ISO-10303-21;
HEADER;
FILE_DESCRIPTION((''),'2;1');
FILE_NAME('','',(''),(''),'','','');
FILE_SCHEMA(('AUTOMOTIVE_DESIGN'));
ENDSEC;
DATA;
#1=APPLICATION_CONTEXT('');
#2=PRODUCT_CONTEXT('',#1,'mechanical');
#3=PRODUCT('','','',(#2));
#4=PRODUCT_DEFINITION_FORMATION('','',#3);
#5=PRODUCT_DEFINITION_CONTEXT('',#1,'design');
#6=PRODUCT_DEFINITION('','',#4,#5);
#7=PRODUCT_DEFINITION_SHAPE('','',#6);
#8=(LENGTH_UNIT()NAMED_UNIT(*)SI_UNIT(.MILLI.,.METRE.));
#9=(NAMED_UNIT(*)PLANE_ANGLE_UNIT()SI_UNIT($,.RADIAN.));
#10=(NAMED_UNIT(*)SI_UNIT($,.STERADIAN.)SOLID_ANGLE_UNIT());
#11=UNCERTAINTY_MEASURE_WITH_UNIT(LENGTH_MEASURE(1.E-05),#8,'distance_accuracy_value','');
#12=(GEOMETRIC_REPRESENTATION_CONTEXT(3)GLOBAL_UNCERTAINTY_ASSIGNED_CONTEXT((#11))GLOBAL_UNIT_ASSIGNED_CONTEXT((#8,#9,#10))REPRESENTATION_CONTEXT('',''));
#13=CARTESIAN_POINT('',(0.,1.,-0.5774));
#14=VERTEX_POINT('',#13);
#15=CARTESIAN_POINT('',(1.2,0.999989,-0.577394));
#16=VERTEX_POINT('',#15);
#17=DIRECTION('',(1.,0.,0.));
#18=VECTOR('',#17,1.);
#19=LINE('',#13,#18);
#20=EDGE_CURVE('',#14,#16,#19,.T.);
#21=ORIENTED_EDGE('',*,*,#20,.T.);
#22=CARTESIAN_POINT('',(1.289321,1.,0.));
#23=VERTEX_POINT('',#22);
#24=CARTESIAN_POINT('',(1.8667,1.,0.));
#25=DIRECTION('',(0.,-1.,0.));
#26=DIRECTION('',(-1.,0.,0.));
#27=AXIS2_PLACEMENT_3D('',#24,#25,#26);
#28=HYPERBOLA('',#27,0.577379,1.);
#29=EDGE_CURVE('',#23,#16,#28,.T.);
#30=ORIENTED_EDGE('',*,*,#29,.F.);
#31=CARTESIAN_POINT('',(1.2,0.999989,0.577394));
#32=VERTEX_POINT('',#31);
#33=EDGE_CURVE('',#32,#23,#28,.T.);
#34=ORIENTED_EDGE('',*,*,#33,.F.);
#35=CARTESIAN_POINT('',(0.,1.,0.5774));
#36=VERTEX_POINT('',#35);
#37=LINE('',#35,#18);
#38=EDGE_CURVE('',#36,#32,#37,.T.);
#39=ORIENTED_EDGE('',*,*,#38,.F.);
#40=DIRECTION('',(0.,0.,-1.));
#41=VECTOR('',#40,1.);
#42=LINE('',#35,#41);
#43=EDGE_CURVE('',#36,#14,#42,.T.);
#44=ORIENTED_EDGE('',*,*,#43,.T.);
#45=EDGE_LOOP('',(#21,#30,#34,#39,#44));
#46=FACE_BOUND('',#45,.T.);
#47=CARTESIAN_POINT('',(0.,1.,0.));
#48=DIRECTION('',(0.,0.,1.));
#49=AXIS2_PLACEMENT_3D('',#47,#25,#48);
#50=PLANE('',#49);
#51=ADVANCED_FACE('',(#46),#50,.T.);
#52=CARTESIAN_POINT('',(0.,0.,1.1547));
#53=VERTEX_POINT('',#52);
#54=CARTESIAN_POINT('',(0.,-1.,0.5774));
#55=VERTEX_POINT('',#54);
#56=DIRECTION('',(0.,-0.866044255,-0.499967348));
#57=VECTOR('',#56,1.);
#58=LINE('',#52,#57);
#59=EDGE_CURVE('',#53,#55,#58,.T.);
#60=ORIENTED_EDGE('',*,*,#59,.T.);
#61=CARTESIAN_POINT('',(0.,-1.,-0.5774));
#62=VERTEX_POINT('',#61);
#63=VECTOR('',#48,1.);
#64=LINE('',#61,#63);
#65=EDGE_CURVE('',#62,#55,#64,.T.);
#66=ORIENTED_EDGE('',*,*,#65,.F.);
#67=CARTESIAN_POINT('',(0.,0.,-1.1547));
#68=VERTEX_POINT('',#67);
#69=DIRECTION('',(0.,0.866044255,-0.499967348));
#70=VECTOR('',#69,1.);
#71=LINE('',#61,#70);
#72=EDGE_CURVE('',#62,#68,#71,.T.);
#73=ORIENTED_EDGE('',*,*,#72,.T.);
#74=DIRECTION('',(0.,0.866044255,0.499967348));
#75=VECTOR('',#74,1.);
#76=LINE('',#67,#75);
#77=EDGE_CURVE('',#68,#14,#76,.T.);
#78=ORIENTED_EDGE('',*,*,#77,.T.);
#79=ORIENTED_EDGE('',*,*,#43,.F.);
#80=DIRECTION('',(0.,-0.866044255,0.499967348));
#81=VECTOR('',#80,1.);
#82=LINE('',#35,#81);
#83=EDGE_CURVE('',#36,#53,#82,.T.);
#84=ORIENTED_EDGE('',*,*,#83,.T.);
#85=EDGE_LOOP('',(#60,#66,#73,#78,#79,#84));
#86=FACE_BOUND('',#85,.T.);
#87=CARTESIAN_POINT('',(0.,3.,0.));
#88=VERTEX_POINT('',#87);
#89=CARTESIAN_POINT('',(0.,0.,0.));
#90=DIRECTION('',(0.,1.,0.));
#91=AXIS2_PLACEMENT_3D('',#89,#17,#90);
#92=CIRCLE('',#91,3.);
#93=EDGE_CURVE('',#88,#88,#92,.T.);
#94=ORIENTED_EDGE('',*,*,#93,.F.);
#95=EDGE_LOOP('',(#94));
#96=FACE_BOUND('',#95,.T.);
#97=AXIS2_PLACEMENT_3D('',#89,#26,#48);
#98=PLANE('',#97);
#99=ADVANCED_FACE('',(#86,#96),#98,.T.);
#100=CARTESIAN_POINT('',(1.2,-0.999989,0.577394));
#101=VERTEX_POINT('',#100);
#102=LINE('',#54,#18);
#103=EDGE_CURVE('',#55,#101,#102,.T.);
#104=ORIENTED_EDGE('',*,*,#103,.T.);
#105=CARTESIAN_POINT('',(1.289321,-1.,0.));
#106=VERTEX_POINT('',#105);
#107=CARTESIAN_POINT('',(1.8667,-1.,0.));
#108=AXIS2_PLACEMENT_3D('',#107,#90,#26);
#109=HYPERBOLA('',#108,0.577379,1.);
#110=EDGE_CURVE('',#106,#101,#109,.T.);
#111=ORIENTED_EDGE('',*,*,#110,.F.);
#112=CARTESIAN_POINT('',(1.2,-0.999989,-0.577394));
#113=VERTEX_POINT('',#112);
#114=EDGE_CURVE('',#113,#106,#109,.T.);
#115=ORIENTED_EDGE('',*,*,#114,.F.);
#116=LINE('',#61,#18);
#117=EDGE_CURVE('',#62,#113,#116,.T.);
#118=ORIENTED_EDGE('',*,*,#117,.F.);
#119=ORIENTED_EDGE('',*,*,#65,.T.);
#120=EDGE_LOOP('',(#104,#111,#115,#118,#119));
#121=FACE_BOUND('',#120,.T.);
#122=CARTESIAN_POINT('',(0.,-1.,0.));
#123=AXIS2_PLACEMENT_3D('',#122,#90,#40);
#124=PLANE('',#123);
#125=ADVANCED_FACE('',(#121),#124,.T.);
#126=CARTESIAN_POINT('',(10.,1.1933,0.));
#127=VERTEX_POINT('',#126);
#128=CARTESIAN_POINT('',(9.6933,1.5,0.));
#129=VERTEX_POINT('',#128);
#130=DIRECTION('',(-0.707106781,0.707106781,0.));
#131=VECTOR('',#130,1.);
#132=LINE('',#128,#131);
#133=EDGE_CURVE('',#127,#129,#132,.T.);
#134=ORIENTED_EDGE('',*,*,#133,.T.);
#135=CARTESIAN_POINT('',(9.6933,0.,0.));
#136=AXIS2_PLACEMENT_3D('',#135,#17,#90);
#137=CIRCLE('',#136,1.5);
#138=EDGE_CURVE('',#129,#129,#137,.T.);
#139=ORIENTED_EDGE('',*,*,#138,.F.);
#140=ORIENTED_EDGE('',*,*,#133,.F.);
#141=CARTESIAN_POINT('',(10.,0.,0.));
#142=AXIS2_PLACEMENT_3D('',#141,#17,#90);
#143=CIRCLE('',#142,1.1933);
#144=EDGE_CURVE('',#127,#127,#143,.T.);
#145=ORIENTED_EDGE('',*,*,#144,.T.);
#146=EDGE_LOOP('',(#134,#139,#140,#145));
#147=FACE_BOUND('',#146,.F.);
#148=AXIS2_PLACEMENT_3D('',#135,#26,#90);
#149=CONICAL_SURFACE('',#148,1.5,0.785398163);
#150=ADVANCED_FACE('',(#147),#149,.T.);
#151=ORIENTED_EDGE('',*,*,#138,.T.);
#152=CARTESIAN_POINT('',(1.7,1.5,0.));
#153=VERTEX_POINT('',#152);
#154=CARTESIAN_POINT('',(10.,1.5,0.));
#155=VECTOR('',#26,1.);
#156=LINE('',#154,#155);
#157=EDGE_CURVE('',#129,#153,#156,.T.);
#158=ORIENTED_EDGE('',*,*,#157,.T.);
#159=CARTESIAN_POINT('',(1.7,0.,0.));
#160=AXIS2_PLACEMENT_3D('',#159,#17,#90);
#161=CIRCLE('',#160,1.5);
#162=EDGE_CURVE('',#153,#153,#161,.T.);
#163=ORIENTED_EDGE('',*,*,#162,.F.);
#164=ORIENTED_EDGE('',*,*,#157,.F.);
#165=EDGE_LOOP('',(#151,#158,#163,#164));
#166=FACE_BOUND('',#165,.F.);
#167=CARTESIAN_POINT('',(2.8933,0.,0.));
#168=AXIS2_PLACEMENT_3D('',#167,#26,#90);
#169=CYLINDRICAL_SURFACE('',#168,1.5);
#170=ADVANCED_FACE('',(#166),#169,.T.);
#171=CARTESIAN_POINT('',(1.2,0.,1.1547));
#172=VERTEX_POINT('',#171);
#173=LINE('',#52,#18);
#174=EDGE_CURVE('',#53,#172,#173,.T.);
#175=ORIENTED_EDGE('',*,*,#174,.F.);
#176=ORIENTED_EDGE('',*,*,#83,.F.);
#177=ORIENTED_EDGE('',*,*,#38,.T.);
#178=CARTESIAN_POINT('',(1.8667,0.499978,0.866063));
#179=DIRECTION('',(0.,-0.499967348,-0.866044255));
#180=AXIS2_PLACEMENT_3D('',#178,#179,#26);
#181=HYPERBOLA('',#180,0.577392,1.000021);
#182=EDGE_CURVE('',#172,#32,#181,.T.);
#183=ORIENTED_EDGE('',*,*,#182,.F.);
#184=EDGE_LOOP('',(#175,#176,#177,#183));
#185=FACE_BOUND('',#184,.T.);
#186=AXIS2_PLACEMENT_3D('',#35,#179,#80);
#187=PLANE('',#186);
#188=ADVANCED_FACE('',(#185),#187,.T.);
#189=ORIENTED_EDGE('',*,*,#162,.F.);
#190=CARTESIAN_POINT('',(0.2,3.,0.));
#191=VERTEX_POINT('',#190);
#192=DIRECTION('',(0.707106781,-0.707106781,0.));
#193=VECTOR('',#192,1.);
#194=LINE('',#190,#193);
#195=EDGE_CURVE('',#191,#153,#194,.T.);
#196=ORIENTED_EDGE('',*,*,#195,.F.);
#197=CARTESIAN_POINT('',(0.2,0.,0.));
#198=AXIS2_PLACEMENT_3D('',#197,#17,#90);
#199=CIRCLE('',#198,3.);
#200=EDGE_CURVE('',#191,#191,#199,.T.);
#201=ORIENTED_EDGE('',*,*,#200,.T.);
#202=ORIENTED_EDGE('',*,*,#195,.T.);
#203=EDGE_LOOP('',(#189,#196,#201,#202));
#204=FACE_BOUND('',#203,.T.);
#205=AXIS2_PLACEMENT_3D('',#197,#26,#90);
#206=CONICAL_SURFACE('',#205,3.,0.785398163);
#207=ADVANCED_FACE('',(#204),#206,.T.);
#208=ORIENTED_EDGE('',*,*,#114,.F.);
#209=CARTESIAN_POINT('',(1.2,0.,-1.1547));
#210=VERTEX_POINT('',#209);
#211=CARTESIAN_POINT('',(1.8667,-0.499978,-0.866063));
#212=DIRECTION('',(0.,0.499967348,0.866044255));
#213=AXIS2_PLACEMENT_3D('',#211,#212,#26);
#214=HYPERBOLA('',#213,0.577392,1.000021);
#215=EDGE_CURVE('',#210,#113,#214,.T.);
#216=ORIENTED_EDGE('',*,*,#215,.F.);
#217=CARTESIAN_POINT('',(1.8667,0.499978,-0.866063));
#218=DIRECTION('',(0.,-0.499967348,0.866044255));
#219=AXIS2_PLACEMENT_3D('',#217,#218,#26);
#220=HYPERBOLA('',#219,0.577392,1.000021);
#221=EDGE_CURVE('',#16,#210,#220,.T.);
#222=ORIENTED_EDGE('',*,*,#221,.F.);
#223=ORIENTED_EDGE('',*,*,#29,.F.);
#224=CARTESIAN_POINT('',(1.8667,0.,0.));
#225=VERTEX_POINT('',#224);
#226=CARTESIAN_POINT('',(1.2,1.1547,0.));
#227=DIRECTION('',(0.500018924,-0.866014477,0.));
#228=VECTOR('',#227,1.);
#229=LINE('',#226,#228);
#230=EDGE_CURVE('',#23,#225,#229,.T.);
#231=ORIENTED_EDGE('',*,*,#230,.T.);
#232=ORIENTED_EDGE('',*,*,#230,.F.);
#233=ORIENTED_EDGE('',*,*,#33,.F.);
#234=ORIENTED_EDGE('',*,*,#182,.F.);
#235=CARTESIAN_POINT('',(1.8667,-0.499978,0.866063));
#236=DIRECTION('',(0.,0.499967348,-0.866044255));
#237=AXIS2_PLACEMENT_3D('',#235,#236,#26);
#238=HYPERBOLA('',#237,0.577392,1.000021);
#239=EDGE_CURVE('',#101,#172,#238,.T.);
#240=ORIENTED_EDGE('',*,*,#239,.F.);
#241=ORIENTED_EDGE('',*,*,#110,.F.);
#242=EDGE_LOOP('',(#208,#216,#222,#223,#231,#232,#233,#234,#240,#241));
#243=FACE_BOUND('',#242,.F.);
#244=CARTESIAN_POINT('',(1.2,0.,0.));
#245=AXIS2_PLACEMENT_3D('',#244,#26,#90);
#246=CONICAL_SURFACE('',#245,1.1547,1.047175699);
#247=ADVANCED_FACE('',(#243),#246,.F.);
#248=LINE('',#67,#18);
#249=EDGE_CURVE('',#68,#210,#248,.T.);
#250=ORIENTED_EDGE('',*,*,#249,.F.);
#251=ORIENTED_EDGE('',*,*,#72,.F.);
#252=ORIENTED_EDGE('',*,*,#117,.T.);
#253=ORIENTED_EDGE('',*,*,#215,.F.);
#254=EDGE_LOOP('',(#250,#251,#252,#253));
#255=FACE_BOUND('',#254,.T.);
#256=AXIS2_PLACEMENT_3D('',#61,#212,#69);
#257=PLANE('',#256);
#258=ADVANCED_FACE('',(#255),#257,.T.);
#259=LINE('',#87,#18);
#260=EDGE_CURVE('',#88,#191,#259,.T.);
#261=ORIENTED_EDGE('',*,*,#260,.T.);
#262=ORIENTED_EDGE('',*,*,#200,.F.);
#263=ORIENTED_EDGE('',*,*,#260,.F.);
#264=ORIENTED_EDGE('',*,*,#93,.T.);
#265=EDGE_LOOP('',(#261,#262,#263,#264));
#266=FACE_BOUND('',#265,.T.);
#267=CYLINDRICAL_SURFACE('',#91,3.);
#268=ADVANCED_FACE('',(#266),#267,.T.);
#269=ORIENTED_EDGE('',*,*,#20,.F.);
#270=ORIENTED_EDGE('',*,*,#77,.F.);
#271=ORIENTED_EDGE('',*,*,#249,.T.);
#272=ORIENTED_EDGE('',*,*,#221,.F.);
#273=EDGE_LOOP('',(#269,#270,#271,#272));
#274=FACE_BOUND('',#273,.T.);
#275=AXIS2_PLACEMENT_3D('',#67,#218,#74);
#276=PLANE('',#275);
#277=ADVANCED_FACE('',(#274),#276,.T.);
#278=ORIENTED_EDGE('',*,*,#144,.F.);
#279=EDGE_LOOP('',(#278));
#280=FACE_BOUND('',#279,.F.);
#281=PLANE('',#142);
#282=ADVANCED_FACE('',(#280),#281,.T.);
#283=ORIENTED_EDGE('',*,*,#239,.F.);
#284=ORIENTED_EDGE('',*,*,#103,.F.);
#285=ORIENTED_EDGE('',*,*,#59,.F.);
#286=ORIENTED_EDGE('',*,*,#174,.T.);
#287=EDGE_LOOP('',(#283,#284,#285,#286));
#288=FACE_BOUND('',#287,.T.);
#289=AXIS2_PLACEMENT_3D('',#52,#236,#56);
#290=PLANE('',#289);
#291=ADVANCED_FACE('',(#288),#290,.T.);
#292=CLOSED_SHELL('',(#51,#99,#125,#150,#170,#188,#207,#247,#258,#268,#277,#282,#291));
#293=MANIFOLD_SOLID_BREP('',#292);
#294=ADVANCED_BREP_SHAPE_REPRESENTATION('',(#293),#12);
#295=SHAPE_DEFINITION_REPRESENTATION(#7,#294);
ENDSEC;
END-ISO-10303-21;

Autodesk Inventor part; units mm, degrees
ref_plane "YZ Plane" through (0, 0, 0) normal (1, 0, 0) x (0, 1, 0)
ref_plane "XZ Plane" through (0, 0, 0) normal (0, 1, 0) x (-1, 0, 0)
sketch "Sketch1" plane through (0, 0, 0) normal (0, 0, 1) x (1, 0, 0)
  line L0 (10, 0) -> (10, 1.5)
  line L1 (10, 1.5) -> (3.2, 1.5)
  line L2 (3.2, 1.5) -> (2.8933, 1.5)
  line L3 (0, 3) -> (0, 1.1547)
  line L4 (0, 1.1547) -> (1.2, 1.1547)
  line L5 (1.2, 1.1547) -> (1.8667, 0)
  line L6 (1.8667, 0) -> (10, 0)
  line L7 (0, 3) -> (0.2, 3)
  line L8 (0.2, 3) -> (1.7, 1.5)
  line L9 (2.8933, 1.5) -> (1.7, 1.5)
  line L10 (3.2, 1.5) -> (1.7, 1.5) construction
  line L11 (1.7, 1.5) -> (1.7, 1.5)
  line L12 (-2, 0) -> (12, 0) projected
  line L13 (0, -0.6) -> (0, 3.6) projected
  dimension "d0" = 10
  dimension "d1" = 6.8
  dimension "d2" = 1.2
  dimension "d3" = 3
  dimension "d6" = 1.7
  dimension "d7" = 45
  dimension "d8" = 2.3094
  dimension "d9" = 60
  dimension "d10" = 6
  dimension "d11" = 3
  dimension "d12" = 0.3067
revolve "Body" add sketch "Sketch1" angle 360 about axis through (1.8667, 0, 0) along (1, 0, 0) contours L6 L5 L4 L3 L7 L8 L9 L2 L1 L0
sketch "Sketch2" plane through (0, 0, 0) normal (-1, 0, 0) x (0, 0, 1)
  circle A0 centre (0, 0) radius 1.1547 projected
  line L0 (0, -4.2) -> (0, 4.2) projected
  line L1 (-4.2, 0) -> (4.2, 0) projected
  line L2 (1.1547, 0) -> (0.5774, -1)
  line L3 (0.5774, -1) -> (-0.5774, -1)
  line L4 (-0.5774, -1) -> (-1.1547, 0)
  line L5 (-1.1547, 0) -> (-0.5774, 1)
  line L6 (-0.5774, 1) -> (0.5774, 1)
  line L7 (0.5774, 1) -> (1.1547, 0)
  point P0 (0, 1.1547)
extrude "Slot" add sketch "Sketch2" against normal up to next contours L7 A0 | A0 L2 | L6 L0 A0 | A0 L0 L3 | L0 L6 A0 | A0 L3 L0 | L4 A0 | A0 L5
thread "Thread" size "M3x0.5" class "6g" standard "ISO Metric profile" length 6.8
chamfer "Chamfer1" distance 0.3067 distance2 0.3067 1 edges at (10, -1.5, 0) measured on face at (10, -0.8298, -0.2045)
ref_plane "Work Plane1" through (104.775, 0, 0) normal (0, 0, -1) x (1, 0, 0)
equation "\"d15\" = GEL"
equation "\"d17\" = -0.5 * SPD + 0.5 * GD"
equation "\"d18\" = GUL"
equation "\"d0\" = NLG"
equation "\"d1\" = GEL"
equation "\"d2\" = INTI"
equation "\"d3\" = GD"
equation "\"d6\" = KOH"
equation "\"d7\" = 0.5 * SEWI"
equation "\"d8\" = 1.1547 * SW"
equation "\"d10\" = KOD"
equation "\"d11\" = BDM"
equation "\"d12\" = GAL"
equation "\"NLG\" = 10"
equation "\"INTI\" = 1.2"
equation "\"GEL\" = 6.8"
equation "\"GAL\" = 0.61345 * PTC"
equation "\"KOH\" = 1.7"
equation "\"KOD\" = 6"
equation "\"GUL\" = 0.61345 * PTC"
equation "\"SPD\" = NND - 1.2269 * PTC"
equation "\"BDM\" = NND"
equation "\"GD\" = NND"
equation "\"SEWI\" = 90deg"
equation "\"SW\" = 2"
equation "\"TOA\" = 30deg"
equation "\"GD1\" = THREADDIA - 1.2269 * PTC"
equation "\"EPV\" = 3.2"
equation "\"THREADDIA\" = 3"
equation "\"PTC\" = 0.5"
equation "\"NND\" = 3"
equation "\"E0\" = 1.155 * SW"
properties part number "CNS 4558 - M3 x 10" material "Steel, Mild"
